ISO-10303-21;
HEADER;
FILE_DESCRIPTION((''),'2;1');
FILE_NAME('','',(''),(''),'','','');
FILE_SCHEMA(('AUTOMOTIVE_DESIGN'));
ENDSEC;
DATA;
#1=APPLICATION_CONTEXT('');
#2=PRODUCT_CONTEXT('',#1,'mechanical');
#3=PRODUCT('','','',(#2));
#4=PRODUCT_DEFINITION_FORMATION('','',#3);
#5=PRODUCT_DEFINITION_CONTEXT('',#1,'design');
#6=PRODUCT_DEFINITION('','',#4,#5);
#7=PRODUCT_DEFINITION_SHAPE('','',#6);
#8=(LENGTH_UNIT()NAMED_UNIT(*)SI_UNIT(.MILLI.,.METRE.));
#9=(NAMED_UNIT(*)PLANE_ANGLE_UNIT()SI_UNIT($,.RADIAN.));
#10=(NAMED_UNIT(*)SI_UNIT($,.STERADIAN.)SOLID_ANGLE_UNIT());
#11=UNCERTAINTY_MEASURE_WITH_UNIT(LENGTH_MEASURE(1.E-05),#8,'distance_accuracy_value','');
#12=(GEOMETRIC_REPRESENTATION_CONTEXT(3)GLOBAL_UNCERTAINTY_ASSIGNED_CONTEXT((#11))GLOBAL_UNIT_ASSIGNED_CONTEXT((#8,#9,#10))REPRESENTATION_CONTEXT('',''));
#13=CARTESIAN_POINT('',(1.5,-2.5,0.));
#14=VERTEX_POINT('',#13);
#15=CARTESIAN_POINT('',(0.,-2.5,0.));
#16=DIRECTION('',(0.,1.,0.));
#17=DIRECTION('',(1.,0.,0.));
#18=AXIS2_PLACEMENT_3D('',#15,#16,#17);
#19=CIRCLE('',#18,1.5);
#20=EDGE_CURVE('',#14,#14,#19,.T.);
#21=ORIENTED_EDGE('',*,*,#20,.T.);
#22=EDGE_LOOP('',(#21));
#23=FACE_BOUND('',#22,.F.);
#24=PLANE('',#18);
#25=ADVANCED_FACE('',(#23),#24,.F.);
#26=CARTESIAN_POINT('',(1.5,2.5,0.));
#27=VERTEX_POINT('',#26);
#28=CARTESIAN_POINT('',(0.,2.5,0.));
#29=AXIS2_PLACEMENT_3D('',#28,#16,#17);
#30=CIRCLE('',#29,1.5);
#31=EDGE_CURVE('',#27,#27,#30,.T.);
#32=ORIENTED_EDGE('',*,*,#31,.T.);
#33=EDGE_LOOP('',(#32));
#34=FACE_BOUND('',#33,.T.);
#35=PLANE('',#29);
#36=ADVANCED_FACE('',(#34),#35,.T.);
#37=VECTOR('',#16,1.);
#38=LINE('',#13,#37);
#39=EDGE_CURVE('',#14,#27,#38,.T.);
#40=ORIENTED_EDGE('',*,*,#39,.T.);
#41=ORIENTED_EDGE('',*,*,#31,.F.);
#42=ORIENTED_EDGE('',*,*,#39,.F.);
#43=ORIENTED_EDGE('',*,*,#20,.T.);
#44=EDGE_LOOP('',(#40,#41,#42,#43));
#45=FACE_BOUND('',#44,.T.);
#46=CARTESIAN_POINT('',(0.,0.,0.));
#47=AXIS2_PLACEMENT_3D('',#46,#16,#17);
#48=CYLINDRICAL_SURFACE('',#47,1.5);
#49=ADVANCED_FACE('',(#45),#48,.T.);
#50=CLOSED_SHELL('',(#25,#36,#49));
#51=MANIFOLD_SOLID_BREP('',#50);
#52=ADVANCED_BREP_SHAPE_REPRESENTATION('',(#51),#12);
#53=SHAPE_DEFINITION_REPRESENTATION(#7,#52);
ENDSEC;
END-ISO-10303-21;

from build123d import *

# Parameters (mm, degrees)
SKETCH1_R           = 1.5
BOSS_EXTRUDE1_DEPTH = 2.5


with BuildPart() as part:
    # Sketch1 → Boss-Extrude1 (new body, symmetric)
    with BuildSketch(Plane(origin=(0, 0, 0), x_dir=(1, 0, 0), z_dir=(0, 1, 0))):
        Circle(SKETCH1_R)
    extrude(amount=BOSS_EXTRUDE1_DEPTH, both=True)


solid = part.part
